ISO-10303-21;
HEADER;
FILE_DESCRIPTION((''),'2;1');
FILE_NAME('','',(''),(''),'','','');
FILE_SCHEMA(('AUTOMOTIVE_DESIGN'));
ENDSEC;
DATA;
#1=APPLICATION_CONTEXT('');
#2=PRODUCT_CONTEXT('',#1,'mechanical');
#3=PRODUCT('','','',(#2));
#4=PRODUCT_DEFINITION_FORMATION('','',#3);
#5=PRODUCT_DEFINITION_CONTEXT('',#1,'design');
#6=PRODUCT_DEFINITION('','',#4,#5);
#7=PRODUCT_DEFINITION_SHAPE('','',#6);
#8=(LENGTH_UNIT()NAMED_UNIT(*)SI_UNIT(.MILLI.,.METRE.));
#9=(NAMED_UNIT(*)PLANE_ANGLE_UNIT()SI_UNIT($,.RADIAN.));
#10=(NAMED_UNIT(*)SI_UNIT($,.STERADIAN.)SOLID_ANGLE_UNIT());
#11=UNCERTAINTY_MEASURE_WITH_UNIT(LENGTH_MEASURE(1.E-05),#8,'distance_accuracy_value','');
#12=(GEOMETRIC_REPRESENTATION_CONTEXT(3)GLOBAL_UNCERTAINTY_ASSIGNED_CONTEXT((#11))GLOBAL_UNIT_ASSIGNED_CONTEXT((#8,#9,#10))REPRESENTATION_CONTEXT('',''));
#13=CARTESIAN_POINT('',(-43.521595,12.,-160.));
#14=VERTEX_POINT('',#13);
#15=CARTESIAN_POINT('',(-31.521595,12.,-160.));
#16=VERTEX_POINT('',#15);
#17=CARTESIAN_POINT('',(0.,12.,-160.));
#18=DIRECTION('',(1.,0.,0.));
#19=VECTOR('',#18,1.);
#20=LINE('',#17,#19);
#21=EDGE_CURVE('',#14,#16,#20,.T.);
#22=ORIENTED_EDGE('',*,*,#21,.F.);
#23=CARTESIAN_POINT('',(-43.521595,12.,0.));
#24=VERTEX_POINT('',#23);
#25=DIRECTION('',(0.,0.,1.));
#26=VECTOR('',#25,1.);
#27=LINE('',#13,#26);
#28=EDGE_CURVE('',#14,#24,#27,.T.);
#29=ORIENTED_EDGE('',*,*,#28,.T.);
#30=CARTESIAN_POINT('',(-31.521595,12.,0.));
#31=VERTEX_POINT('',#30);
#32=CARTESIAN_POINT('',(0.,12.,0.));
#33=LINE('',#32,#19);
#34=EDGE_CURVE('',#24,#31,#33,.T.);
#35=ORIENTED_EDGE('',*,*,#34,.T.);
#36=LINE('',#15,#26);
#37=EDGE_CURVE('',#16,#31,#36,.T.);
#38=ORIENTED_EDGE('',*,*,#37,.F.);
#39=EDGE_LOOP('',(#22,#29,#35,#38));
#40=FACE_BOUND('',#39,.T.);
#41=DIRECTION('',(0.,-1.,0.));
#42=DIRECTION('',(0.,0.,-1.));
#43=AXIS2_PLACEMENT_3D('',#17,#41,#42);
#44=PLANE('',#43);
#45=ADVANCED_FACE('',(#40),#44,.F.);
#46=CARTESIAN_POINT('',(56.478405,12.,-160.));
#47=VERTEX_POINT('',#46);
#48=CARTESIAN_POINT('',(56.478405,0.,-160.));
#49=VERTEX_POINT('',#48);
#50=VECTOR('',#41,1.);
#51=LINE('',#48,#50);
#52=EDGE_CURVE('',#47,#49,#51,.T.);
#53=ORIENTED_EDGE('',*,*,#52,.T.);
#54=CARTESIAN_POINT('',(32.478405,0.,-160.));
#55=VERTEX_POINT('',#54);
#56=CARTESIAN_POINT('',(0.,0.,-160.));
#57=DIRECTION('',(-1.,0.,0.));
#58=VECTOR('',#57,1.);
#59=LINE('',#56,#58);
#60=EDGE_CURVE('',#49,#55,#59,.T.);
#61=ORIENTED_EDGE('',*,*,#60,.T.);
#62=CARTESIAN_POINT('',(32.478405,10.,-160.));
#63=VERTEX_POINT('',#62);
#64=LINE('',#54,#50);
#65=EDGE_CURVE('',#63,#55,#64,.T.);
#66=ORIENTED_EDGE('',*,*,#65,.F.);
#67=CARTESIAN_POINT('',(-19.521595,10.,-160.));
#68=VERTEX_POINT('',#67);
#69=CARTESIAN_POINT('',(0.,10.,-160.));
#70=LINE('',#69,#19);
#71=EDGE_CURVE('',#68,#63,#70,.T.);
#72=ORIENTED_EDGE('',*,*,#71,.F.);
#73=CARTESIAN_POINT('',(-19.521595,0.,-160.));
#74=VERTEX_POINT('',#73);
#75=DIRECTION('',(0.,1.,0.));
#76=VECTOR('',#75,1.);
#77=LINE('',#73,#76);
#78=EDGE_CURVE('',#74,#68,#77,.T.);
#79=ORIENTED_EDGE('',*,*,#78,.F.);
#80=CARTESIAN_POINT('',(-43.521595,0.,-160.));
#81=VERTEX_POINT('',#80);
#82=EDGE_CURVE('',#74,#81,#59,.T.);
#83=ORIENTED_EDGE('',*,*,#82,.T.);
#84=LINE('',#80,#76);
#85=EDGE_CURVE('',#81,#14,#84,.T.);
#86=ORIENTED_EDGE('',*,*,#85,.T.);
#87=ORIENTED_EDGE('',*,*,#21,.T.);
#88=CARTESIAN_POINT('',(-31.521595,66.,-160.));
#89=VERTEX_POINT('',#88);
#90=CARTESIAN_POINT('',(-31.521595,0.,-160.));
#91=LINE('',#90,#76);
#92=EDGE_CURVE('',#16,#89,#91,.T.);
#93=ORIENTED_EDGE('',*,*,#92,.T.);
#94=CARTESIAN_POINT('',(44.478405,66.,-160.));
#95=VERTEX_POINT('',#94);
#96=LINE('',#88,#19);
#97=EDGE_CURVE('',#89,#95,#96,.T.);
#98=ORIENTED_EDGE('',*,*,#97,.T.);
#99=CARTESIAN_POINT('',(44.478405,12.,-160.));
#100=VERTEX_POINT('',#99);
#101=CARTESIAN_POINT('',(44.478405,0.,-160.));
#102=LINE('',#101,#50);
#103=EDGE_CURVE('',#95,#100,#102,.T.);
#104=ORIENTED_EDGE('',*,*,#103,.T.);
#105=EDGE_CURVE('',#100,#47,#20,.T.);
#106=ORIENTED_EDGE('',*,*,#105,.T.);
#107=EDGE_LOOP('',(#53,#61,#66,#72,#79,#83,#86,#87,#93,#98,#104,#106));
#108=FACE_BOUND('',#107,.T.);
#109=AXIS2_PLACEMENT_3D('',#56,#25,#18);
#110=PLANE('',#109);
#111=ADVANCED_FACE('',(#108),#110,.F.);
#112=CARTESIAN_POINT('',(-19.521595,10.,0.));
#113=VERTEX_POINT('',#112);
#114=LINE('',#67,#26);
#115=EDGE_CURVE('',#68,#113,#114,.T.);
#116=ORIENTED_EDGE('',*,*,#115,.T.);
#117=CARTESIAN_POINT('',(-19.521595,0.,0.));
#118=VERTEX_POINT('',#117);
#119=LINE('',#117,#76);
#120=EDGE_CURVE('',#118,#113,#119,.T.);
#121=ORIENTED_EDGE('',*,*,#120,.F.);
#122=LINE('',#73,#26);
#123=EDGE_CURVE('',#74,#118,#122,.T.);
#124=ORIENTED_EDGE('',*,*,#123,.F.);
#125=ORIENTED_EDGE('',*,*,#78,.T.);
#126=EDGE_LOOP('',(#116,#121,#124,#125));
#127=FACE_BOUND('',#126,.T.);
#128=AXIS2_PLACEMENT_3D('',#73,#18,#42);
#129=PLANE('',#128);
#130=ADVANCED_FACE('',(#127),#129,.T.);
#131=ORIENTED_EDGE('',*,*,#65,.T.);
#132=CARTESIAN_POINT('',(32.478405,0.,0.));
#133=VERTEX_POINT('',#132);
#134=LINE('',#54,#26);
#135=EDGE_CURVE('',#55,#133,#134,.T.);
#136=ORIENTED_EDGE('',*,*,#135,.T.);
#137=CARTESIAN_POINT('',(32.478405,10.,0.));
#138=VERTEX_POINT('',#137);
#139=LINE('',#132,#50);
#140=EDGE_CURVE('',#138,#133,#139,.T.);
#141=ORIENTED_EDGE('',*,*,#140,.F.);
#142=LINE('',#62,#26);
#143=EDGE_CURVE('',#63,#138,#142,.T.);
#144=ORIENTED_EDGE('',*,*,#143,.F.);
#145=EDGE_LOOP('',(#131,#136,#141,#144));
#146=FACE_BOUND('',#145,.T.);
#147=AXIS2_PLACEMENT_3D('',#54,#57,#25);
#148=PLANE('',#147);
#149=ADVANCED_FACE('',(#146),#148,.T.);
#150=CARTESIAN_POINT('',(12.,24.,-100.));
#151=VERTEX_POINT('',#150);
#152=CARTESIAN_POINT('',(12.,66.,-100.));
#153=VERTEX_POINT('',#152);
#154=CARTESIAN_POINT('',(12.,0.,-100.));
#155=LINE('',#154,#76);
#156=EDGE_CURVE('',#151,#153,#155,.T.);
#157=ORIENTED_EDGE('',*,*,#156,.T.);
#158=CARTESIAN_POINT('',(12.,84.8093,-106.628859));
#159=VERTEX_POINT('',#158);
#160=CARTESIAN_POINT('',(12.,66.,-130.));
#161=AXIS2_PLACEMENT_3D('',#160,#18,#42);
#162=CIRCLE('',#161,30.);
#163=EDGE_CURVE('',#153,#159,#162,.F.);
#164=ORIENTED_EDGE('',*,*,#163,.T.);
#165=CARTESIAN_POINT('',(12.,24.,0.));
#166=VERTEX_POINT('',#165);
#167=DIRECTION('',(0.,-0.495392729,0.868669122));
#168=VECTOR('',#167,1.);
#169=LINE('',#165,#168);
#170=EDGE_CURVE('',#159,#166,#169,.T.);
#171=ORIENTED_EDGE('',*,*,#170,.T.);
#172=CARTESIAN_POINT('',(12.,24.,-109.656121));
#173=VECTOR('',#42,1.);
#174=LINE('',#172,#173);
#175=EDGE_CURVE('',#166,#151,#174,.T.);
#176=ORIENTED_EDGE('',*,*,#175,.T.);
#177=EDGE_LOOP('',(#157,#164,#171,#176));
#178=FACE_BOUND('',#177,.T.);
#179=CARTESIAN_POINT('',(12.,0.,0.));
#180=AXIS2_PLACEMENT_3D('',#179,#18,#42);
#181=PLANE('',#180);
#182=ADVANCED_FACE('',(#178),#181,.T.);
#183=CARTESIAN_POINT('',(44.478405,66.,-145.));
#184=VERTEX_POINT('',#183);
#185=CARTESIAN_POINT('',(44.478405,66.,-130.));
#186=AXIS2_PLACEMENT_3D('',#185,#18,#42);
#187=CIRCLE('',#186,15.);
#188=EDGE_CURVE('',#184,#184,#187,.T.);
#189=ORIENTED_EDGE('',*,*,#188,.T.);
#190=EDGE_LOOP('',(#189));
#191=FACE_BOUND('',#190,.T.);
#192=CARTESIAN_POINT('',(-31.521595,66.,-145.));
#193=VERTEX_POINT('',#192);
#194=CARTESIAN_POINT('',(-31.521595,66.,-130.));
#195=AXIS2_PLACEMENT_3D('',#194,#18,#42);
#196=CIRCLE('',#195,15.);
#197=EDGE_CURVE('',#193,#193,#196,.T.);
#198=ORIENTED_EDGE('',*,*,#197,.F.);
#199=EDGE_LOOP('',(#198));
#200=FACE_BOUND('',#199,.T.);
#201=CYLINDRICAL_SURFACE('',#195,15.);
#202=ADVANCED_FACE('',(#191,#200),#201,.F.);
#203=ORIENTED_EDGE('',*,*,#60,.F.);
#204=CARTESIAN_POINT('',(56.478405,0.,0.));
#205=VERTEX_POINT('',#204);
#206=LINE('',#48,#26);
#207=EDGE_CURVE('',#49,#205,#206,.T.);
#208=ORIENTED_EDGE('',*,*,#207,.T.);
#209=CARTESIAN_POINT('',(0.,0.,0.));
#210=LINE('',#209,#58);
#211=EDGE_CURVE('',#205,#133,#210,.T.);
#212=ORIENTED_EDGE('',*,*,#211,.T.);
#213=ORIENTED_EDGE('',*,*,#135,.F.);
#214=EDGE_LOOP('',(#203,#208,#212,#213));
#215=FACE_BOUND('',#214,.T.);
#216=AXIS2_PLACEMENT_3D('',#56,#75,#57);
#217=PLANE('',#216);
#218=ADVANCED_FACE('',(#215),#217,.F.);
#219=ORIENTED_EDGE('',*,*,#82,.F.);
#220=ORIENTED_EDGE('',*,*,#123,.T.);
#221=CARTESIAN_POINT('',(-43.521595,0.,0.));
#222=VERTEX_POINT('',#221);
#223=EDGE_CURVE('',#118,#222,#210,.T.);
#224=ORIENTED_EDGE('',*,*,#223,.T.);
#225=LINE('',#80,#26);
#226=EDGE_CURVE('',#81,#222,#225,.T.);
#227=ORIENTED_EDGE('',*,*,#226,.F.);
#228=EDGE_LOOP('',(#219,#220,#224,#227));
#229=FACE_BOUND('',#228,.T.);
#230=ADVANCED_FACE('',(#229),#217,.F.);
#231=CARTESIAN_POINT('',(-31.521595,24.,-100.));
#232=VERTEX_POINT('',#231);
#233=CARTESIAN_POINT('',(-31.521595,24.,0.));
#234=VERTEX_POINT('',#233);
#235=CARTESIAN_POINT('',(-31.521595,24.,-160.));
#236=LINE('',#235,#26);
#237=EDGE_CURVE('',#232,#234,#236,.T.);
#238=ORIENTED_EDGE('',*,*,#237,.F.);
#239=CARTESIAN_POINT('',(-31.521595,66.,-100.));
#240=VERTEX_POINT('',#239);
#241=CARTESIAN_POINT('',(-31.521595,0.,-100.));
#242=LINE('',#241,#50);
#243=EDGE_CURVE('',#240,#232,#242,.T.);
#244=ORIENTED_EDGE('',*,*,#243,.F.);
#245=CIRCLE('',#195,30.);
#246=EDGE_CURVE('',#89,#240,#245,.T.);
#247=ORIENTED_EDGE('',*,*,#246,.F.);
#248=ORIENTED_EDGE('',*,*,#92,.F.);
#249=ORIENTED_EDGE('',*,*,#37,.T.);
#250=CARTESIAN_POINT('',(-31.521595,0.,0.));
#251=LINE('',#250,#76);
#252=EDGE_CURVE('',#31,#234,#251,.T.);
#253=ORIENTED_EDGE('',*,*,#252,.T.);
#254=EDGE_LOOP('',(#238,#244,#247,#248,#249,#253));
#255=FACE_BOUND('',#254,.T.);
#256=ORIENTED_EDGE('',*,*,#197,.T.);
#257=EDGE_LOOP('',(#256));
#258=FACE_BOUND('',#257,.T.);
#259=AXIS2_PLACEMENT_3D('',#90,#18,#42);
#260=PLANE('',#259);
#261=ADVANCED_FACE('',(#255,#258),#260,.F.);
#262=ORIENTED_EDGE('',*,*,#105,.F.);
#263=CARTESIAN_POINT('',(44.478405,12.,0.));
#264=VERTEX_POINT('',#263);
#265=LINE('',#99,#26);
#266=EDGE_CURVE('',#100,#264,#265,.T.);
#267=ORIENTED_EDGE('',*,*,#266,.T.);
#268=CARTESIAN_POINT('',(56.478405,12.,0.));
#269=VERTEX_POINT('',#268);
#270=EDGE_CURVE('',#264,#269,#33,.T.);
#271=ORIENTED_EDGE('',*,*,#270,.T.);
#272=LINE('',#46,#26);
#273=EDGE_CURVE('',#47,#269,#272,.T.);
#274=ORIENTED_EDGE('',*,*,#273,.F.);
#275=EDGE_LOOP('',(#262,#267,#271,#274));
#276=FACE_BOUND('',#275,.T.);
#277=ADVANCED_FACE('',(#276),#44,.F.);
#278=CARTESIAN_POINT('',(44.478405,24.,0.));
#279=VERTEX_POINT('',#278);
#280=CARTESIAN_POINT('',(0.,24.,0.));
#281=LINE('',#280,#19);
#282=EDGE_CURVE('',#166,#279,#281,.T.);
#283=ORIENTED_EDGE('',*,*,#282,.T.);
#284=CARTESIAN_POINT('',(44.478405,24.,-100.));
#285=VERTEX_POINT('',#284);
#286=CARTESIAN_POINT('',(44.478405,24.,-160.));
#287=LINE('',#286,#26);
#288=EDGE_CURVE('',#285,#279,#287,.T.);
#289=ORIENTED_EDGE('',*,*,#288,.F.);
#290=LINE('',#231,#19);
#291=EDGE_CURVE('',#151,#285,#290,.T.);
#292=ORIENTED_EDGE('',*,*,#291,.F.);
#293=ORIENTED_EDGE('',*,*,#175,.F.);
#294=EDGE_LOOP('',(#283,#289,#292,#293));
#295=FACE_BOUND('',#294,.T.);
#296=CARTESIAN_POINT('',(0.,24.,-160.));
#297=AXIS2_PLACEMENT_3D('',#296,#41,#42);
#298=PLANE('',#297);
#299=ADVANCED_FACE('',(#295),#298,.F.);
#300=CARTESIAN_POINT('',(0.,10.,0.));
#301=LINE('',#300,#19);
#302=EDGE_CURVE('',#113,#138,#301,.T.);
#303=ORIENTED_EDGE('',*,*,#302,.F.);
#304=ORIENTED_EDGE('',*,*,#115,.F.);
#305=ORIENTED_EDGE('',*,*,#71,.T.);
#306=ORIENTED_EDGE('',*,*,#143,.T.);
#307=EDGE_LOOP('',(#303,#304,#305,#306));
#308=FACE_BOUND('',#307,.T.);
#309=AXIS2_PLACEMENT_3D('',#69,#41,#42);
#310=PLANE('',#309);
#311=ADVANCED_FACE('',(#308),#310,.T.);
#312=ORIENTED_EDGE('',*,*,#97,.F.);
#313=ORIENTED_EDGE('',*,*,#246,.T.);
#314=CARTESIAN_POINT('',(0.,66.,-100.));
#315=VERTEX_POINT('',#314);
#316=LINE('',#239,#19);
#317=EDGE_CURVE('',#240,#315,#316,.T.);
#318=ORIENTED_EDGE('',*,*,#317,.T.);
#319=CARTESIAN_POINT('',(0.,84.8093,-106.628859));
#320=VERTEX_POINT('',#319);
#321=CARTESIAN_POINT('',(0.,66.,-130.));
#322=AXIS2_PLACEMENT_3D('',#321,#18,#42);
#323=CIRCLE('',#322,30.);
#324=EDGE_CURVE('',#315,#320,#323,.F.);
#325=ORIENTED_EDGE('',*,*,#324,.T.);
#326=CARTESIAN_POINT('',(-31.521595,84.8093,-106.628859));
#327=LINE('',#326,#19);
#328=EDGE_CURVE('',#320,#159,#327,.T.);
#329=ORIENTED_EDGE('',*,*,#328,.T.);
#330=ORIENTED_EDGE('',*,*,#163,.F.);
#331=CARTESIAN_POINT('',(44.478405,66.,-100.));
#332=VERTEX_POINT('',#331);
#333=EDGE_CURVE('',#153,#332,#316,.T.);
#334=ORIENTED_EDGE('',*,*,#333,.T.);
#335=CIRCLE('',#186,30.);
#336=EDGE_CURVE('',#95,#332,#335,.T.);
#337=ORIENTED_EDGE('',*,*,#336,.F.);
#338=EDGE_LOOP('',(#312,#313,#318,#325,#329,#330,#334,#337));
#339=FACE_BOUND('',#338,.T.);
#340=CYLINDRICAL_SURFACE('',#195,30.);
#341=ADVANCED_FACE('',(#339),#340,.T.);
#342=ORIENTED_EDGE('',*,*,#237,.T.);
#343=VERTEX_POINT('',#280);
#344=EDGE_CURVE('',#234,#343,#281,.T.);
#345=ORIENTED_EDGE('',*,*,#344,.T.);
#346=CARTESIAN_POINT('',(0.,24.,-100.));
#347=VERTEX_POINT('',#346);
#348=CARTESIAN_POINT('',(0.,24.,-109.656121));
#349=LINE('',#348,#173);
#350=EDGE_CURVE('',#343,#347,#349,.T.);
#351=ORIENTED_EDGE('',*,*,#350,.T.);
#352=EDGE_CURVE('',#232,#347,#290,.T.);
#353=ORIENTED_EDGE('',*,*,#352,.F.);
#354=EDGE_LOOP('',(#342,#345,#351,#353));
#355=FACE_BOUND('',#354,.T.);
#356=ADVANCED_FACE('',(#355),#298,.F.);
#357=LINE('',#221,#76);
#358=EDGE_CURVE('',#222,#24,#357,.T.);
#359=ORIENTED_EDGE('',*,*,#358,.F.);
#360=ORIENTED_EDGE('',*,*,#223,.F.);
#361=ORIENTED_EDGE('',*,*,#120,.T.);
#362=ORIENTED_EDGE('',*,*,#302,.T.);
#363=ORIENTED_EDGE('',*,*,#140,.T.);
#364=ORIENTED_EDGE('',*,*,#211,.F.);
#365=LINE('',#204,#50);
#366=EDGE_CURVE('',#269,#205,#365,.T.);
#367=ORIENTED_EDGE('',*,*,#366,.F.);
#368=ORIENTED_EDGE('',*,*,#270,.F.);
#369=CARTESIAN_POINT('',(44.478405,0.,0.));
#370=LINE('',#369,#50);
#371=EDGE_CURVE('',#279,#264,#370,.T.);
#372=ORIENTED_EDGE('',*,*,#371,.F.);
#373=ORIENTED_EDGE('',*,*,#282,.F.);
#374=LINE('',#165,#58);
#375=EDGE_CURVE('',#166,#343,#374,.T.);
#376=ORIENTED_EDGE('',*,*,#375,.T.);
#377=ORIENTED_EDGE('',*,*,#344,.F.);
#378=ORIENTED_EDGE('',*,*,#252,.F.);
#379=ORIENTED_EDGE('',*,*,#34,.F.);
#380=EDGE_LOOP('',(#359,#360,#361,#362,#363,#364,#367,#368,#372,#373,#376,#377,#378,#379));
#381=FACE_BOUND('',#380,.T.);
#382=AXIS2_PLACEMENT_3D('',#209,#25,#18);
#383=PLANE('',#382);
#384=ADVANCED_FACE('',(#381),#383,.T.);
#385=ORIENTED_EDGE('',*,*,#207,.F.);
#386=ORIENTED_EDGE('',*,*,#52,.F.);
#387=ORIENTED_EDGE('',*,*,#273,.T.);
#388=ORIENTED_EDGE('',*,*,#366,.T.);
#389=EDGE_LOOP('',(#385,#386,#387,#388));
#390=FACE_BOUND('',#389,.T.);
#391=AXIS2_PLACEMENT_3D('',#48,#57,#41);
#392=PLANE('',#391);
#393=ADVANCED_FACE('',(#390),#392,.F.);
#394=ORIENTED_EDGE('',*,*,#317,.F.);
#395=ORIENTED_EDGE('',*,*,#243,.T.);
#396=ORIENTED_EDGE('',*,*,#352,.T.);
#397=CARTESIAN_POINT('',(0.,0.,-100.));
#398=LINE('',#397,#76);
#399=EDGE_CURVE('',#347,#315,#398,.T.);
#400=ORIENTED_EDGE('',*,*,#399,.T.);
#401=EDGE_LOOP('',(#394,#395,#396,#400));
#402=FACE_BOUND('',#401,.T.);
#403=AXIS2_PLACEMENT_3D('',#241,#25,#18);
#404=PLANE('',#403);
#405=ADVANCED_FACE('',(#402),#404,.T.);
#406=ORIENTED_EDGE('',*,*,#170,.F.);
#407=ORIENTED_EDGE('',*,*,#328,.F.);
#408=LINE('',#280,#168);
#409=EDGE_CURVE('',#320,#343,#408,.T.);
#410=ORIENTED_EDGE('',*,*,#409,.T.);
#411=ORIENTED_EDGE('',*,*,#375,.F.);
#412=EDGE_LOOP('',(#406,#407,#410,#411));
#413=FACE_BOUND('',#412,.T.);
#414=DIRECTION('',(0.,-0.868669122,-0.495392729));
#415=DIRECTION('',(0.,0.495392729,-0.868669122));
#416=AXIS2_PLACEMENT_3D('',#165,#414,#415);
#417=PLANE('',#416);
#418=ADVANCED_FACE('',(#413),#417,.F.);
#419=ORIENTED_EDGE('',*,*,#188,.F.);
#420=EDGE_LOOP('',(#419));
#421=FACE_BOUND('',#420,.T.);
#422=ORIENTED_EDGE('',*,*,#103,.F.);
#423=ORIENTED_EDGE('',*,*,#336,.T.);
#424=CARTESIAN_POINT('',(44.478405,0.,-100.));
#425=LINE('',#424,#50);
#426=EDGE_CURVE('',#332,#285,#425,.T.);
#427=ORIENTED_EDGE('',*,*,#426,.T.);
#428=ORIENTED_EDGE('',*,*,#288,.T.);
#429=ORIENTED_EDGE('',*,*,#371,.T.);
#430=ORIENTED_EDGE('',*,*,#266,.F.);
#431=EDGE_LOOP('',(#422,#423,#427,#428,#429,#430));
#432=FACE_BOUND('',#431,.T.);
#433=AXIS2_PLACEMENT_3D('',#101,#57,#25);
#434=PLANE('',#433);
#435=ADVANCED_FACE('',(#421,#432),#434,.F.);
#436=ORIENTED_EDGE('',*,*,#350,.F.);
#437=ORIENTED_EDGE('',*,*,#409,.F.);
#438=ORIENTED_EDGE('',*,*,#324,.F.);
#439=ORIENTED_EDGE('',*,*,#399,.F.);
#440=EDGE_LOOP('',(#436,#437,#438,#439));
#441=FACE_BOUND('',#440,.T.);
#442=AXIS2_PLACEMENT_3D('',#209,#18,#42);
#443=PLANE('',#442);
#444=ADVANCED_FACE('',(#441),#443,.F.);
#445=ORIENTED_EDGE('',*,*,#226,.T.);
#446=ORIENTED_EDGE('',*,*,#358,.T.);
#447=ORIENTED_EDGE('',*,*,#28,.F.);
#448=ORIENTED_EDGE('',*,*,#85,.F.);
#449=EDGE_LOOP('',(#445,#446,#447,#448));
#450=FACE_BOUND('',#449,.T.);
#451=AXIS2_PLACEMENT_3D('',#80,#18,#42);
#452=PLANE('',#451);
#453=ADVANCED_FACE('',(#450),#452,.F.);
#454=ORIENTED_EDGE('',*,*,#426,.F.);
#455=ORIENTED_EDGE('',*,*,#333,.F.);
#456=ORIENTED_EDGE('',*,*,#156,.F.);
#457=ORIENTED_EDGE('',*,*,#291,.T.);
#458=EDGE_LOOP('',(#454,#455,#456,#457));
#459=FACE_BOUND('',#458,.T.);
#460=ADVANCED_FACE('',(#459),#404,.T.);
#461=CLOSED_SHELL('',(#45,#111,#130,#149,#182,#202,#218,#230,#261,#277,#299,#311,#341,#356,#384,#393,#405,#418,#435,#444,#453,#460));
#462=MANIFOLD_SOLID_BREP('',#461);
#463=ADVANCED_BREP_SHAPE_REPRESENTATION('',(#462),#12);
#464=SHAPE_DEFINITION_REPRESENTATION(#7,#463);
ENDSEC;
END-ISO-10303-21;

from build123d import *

# Parameters (mm, degrees)
BOSS_EXTRUDE1_DEPTH = 160
SKETCH2_R           = 15
BOSS_EXTRUDE2_DEPTH = 76
BOSS_EXTRUDE3_DEPTH = 12


with BuildPart() as part:
    # Sketch1 → Boss-Extrude1 (new body)
    with BuildSketch(Plane.XY):
        Polygon((-43.521594684, 12), (-43.521594684, 0), (-19.521594684, 0), (-19.521594684, 10), (32.478405316, 10), (32.478405316, 0), (56.478405316, 0), (56.478405316, 12), (44.478405316, 12), (44.478405316, 24), (-31.521594684, 24), (-31.521594684, 12), align=None)
    extrude(amount=-BOSS_EXTRUDE1_DEPTH)

    # Sketch2 → Boss-Extrude2 (add)
    with BuildSketch(Plane(origin=(44.478405316, 0, 0), x_dir=(0, 0, -1), z_dir=(1, 0, 0))):
        with BuildLine():
            Line((100, 24), (160, 24))
            Line((160, 24), (160, 66))
            ThreePointArc((160, 66), (130, 96), (100, 66))
            Line((100, 66), (100, 24))
        make_face()
        with Locations((130, 66)):
            Circle(SKETCH2_R, mode=Mode.SUBTRACT)
    extrude(amount=-BOSS_EXTRUDE2_DEPTH)

    # Sketch8 → Boss-Extrude3 (add)
    with BuildSketch(Plane(origin=(0, 0, 0), x_dir=(0, 0, -1), z_dir=(1, 0, 0))):
        Polygon((0, 24), (109.656121138, 86.535715549), (109.656121138, 24), align=None)
    extrude(amount=BOSS_EXTRUDE3_DEPTH)


solid = part.part
